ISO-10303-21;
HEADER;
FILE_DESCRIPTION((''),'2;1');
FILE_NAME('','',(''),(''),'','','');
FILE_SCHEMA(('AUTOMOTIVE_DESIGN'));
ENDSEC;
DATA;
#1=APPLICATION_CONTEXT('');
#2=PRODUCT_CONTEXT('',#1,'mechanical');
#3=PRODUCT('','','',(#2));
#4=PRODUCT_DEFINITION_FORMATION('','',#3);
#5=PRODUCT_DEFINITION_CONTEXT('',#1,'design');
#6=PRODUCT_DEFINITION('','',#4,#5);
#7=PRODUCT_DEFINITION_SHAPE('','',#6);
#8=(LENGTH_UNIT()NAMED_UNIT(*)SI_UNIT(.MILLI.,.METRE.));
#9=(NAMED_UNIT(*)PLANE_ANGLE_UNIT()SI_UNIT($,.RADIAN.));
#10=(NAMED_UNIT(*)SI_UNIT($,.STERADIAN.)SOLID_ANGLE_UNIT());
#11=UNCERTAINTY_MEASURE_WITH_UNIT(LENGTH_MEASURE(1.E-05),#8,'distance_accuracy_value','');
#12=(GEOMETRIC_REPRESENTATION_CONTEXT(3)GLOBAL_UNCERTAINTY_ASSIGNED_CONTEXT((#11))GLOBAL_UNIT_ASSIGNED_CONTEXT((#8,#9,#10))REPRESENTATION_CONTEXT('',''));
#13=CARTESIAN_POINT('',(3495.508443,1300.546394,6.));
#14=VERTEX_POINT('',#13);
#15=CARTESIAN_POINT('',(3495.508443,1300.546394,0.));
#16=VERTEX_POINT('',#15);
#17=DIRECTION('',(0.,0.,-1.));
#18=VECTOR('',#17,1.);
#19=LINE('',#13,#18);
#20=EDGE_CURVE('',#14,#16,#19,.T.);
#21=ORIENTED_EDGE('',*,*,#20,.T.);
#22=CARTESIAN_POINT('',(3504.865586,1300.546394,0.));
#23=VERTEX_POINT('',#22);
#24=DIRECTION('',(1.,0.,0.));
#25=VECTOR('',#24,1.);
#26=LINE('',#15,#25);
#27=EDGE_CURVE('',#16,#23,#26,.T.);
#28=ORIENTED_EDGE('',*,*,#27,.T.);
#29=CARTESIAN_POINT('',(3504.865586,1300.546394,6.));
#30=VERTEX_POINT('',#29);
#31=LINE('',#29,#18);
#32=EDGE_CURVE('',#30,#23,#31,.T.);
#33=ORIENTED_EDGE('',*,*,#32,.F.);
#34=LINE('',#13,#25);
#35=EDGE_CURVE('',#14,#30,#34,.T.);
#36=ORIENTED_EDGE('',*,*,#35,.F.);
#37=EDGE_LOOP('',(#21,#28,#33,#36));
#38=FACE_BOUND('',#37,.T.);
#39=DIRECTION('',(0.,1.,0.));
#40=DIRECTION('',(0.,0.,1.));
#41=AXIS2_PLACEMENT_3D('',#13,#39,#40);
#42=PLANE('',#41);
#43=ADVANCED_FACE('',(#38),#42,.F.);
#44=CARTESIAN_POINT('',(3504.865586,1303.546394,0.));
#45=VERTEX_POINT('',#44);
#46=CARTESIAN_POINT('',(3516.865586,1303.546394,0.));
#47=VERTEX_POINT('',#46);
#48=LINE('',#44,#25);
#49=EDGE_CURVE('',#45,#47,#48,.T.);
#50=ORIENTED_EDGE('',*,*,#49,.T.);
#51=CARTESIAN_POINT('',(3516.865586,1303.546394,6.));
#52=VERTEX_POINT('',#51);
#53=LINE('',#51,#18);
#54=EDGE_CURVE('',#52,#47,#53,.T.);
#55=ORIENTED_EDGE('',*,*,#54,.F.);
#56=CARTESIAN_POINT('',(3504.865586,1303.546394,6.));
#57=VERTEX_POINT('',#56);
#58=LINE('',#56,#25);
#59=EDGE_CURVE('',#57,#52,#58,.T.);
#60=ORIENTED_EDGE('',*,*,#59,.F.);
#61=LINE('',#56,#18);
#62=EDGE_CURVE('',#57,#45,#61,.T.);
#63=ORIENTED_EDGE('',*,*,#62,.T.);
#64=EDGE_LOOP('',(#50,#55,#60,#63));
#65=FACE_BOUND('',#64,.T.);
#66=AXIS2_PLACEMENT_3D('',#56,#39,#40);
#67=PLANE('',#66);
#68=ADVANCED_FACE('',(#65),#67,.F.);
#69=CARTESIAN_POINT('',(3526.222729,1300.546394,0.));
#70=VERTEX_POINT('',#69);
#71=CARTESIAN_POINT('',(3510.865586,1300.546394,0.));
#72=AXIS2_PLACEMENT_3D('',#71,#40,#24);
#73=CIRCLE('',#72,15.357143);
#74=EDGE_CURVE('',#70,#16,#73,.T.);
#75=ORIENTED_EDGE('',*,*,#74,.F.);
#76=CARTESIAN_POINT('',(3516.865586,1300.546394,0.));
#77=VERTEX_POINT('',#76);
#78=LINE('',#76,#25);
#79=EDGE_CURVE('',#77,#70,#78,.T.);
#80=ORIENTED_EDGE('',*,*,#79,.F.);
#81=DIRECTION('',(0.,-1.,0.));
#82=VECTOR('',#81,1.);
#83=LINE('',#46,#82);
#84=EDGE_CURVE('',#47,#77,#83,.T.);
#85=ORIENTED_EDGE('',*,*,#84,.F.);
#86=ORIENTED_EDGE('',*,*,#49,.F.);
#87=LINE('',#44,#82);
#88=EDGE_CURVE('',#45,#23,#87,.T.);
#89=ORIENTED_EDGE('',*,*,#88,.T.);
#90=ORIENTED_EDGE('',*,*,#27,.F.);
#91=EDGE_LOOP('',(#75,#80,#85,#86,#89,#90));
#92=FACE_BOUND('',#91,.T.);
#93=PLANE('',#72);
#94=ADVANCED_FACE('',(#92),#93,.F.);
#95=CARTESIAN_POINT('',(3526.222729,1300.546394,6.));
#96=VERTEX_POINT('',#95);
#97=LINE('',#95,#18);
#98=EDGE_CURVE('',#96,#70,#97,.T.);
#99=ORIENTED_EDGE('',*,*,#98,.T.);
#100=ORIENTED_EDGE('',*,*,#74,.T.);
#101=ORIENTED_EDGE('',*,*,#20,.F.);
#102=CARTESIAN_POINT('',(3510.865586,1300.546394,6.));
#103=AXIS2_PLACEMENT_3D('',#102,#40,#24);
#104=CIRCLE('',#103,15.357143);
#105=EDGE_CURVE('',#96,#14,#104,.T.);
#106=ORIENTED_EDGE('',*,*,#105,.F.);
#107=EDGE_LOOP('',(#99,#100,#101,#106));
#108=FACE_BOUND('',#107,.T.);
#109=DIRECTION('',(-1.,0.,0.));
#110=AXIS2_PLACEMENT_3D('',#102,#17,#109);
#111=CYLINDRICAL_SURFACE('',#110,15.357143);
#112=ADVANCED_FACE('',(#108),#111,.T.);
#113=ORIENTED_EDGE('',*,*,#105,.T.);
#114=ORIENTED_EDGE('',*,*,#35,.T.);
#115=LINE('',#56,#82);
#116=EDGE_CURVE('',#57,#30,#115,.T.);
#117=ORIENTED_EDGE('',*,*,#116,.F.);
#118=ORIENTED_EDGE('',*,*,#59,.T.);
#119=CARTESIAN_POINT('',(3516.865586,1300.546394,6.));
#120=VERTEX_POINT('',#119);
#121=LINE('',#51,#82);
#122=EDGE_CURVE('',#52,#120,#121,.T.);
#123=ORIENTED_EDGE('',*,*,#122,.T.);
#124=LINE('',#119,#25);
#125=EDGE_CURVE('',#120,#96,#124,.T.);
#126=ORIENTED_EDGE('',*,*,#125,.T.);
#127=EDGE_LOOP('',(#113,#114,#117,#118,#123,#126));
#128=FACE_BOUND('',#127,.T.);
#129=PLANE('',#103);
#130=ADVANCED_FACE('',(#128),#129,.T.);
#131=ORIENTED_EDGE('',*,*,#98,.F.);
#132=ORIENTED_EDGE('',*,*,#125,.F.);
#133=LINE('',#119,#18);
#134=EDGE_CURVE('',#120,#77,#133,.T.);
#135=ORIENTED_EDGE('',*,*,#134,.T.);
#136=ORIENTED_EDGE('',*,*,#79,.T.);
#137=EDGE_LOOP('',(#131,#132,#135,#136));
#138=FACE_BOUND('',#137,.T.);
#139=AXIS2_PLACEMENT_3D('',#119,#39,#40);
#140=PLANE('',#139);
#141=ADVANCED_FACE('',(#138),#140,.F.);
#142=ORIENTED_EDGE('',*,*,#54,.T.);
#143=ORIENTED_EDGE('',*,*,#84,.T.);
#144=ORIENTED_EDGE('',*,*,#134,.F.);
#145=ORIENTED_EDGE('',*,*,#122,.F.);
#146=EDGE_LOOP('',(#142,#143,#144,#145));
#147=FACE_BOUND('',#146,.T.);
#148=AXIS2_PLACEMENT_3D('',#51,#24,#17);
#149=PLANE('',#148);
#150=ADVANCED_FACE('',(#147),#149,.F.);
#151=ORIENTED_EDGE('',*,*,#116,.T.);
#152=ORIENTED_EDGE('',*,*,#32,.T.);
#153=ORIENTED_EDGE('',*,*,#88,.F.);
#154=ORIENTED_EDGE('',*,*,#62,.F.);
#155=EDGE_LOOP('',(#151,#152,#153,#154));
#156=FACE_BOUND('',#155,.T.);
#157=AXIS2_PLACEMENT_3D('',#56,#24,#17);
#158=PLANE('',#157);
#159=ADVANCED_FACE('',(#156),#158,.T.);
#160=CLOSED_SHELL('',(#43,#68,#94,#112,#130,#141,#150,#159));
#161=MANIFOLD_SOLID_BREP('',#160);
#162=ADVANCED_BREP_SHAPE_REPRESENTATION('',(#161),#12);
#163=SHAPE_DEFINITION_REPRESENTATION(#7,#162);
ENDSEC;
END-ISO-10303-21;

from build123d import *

# Parameters (mm, degrees)
BOSS_EXTRUDE1_DEPTH = 6


with BuildPart() as part:
    # Model → Boss-Extrude1 (new body)
    with BuildSketch(Plane.XY):
        with BuildLine():
            Line((3516.865585936, 1303.546393682), (3516.865585936, 1300.546393682))
            Line((3516.865585936, 1300.546393682), (3526.222728793, 1300.546393682))
            ThreePointArc((3526.222728793, 1300.546393682), (3510.865585936, 1315.903536539), (3495.508443079, 1300.546393682))
            Line((3495.508443079, 1300.546393682), (3504.865585936, 1300.546393682))
            Line((3504.865585936, 1300.546393682), (3504.865585936, 1303.546393682))
            Line((3504.865585936, 1303.546393682), (3516.865585936, 1303.546393682))
        make_face()
    extrude(amount=BOSS_EXTRUDE1_DEPTH)


solid = part.part
